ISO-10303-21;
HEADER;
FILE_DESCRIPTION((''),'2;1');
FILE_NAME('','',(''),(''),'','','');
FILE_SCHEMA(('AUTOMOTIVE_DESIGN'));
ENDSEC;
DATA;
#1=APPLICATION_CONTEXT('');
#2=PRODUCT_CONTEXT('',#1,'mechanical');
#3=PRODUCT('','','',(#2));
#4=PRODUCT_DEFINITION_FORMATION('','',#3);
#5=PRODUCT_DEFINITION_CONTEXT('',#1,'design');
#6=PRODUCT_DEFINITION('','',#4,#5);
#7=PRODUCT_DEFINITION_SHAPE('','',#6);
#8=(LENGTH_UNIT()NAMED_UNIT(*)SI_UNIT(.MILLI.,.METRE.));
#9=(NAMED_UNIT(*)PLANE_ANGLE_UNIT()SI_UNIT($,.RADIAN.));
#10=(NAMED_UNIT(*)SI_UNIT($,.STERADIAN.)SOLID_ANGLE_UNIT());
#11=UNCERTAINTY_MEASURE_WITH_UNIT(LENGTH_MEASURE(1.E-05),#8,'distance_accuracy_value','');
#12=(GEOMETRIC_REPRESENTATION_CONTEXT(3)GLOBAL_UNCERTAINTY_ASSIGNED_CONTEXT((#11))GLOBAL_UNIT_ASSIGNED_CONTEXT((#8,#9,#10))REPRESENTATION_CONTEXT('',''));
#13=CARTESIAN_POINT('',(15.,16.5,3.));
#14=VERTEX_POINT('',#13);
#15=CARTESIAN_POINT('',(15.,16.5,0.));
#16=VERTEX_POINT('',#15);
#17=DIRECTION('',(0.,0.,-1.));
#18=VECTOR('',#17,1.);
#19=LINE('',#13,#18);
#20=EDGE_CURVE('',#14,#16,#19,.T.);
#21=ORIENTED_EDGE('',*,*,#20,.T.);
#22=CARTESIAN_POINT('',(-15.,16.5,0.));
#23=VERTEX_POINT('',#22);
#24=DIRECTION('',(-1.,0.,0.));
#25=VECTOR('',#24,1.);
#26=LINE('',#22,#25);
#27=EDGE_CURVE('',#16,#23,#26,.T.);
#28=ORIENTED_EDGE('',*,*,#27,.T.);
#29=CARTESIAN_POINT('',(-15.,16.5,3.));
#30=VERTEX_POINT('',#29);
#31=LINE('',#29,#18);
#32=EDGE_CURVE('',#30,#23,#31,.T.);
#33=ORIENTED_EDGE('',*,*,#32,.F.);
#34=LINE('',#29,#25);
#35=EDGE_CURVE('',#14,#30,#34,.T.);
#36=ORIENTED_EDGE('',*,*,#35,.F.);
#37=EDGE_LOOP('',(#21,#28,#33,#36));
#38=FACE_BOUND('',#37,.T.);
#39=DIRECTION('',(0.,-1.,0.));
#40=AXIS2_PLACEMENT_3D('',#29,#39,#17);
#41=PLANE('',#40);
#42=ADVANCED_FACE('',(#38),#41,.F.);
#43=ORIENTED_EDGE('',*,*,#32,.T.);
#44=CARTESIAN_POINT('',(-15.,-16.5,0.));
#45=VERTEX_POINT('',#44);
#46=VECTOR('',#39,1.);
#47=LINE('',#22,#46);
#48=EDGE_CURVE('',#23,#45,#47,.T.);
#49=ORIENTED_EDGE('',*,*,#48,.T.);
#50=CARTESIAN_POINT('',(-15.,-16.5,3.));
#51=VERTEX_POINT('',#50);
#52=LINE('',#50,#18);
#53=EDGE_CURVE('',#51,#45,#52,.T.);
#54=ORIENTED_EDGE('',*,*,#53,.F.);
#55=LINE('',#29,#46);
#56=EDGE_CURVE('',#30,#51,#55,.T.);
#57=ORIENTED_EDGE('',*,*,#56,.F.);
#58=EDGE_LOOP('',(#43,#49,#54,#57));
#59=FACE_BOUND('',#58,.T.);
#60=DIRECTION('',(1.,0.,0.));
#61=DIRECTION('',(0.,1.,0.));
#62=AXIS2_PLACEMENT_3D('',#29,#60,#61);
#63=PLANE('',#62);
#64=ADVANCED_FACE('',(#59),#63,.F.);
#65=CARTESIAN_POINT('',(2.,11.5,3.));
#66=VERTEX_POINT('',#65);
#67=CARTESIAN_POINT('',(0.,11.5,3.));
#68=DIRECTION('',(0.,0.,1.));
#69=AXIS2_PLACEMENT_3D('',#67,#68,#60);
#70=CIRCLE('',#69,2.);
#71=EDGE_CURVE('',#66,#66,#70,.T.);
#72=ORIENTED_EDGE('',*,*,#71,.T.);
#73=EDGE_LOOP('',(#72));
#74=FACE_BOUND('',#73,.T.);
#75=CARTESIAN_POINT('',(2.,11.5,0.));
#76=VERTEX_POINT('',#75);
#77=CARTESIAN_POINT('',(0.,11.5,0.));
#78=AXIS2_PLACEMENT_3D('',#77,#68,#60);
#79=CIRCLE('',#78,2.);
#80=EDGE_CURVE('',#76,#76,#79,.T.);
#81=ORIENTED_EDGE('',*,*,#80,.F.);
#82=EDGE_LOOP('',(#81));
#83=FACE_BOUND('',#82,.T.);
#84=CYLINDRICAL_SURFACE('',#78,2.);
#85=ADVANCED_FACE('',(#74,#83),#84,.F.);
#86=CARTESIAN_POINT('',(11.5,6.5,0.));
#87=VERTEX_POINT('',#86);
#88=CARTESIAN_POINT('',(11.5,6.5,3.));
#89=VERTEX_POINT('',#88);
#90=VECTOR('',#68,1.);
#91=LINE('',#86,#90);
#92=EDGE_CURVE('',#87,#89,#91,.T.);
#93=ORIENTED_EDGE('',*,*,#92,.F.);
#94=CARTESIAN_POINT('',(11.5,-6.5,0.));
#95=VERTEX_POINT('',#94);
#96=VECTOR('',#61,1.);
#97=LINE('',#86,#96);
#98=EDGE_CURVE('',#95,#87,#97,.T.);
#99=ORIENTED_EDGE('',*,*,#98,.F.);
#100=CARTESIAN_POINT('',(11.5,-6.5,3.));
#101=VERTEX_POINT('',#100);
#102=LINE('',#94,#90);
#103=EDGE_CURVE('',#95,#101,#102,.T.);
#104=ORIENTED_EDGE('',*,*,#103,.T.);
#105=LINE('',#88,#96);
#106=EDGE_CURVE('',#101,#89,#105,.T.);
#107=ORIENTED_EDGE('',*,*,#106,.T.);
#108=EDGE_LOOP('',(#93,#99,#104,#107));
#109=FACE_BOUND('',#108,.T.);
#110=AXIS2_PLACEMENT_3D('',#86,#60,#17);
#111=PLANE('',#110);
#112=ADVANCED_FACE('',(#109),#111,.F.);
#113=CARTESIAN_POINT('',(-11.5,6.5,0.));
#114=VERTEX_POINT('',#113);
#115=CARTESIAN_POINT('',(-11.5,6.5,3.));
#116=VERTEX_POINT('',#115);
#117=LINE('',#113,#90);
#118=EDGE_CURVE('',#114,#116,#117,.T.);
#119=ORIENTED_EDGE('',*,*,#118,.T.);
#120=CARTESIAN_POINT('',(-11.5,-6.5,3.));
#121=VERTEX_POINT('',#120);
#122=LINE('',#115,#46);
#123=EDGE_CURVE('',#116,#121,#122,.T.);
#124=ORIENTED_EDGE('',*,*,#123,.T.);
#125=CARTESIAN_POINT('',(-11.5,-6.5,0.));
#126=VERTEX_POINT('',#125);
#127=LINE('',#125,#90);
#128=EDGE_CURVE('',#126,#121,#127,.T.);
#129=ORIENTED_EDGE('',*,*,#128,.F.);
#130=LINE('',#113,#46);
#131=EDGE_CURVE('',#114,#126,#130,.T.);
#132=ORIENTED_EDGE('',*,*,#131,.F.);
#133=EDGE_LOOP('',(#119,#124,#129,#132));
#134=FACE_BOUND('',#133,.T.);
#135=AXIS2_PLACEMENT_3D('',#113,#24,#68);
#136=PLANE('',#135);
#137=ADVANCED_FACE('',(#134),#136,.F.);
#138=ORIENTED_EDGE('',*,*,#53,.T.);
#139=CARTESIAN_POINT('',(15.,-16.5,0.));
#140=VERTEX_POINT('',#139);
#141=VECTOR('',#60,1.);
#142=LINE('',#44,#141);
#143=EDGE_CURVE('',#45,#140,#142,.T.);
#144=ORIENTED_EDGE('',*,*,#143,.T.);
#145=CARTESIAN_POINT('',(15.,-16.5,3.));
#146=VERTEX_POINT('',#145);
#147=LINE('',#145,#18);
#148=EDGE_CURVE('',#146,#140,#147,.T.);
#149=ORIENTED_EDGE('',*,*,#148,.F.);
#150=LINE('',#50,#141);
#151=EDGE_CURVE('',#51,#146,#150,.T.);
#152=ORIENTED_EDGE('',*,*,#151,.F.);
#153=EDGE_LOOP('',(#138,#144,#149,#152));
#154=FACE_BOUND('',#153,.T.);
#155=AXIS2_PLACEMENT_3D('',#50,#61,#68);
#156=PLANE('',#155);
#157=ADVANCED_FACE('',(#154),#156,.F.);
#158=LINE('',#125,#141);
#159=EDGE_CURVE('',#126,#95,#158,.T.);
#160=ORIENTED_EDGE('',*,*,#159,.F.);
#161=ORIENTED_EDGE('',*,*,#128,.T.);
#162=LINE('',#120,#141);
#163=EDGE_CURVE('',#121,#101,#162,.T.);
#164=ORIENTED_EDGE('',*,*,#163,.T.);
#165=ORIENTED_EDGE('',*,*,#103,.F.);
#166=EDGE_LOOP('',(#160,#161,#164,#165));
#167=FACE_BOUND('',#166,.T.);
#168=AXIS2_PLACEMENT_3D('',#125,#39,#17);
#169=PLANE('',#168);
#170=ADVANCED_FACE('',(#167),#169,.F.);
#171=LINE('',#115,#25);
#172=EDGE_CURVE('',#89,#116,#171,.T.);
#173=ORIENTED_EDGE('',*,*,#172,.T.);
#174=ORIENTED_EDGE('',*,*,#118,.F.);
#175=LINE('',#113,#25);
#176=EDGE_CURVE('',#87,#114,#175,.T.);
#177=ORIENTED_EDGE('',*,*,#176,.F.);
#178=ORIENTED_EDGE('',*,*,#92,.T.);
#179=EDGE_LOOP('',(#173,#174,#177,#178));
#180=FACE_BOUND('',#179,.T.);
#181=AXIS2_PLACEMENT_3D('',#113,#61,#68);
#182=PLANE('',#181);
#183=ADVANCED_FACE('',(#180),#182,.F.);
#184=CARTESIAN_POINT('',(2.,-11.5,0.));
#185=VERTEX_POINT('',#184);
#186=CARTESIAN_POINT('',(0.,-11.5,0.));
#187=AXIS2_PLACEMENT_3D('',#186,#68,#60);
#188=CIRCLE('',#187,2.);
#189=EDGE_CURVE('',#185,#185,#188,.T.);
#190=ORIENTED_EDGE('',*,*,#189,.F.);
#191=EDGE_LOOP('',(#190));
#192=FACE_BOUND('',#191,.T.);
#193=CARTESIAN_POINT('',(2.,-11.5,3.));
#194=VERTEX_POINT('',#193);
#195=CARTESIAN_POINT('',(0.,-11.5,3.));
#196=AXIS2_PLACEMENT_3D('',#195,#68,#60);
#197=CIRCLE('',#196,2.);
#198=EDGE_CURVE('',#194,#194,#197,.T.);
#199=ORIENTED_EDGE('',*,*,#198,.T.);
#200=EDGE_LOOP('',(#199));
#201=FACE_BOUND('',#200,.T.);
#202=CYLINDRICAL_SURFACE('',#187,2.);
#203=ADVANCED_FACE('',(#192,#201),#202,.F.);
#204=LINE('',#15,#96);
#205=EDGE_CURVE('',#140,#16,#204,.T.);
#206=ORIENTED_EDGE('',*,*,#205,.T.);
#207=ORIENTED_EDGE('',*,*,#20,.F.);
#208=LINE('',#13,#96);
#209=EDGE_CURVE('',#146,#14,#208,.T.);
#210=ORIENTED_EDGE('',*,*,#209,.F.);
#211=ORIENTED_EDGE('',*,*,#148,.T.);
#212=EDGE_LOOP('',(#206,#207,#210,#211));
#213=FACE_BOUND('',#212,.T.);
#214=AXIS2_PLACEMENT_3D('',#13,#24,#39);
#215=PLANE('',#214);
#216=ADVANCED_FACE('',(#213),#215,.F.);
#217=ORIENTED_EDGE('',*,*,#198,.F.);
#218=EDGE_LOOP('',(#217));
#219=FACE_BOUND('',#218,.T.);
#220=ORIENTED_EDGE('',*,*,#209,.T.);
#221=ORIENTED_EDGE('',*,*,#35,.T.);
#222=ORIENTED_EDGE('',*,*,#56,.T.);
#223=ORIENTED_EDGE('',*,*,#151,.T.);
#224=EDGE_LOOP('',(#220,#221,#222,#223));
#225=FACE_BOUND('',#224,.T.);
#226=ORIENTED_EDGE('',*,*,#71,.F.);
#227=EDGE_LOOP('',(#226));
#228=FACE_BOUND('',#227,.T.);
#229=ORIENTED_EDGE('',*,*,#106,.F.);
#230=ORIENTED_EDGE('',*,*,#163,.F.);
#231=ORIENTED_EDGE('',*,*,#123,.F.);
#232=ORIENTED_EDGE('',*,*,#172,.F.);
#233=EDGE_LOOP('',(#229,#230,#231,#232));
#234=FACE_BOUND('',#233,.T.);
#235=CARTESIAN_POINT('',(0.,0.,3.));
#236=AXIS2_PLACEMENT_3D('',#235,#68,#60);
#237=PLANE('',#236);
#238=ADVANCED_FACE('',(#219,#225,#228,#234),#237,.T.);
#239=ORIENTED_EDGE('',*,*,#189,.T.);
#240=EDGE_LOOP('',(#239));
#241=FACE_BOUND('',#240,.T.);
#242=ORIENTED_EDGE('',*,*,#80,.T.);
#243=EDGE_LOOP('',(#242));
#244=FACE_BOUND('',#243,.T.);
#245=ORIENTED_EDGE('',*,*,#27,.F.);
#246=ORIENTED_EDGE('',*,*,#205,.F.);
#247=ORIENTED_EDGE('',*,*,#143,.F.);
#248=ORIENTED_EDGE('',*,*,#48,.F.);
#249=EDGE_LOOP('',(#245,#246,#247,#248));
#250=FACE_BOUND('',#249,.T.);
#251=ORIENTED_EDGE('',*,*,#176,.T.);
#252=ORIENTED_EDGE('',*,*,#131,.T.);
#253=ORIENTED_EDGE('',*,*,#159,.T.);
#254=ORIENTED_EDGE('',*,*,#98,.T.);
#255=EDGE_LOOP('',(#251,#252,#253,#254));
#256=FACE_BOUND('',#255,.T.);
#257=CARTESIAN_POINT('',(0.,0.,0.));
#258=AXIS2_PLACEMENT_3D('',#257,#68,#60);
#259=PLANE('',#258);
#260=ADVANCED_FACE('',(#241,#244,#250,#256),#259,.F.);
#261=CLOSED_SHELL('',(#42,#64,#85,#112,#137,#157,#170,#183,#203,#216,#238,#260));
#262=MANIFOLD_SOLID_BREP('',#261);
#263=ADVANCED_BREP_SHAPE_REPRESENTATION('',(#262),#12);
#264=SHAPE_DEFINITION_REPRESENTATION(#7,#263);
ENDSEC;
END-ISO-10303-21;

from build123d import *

# Parameters (mm, degrees)
SKETCH1_W           = 30
SKETCH1_H           = 33
BOSS_EXTRUDE1_DEPTH = 3
SKETCH2_W           = 23
SKETCH2_H           = 13
CUT_EXTRUDE1_DEPTH  = 23.5
SKETCH3_R           = 2
CUT_EXTRUDE2_DEPTH  = 3


with BuildPart() as part:
    # Sketch1 → Boss-Extrude1 (new body)
    with BuildSketch(Plane.XY):
        Rectangle(SKETCH1_W, SKETCH1_H)
    extrude(amount=BOSS_EXTRUDE1_DEPTH)

    # Sketch2 → Cut-Extrude1 (cut, through all)
    with BuildSketch(Plane.XY.offset(3)):
        Rectangle(SKETCH2_W, SKETCH2_H)
    extrude(amount=-CUT_EXTRUDE1_DEPTH, mode=Mode.SUBTRACT)

    # Sketch3 → Cut-Extrude2 (cut)
    with BuildSketch(Plane.XY.offset(3)):
        with Locations((0, 11.5)):
            Circle(SKETCH3_R)
        with Locations((0, -11.5)):
            Circle(SKETCH3_R)
    extrude(amount=-CUT_EXTRUDE2_DEPTH, mode=Mode.SUBTRACT)


solid = part.part
